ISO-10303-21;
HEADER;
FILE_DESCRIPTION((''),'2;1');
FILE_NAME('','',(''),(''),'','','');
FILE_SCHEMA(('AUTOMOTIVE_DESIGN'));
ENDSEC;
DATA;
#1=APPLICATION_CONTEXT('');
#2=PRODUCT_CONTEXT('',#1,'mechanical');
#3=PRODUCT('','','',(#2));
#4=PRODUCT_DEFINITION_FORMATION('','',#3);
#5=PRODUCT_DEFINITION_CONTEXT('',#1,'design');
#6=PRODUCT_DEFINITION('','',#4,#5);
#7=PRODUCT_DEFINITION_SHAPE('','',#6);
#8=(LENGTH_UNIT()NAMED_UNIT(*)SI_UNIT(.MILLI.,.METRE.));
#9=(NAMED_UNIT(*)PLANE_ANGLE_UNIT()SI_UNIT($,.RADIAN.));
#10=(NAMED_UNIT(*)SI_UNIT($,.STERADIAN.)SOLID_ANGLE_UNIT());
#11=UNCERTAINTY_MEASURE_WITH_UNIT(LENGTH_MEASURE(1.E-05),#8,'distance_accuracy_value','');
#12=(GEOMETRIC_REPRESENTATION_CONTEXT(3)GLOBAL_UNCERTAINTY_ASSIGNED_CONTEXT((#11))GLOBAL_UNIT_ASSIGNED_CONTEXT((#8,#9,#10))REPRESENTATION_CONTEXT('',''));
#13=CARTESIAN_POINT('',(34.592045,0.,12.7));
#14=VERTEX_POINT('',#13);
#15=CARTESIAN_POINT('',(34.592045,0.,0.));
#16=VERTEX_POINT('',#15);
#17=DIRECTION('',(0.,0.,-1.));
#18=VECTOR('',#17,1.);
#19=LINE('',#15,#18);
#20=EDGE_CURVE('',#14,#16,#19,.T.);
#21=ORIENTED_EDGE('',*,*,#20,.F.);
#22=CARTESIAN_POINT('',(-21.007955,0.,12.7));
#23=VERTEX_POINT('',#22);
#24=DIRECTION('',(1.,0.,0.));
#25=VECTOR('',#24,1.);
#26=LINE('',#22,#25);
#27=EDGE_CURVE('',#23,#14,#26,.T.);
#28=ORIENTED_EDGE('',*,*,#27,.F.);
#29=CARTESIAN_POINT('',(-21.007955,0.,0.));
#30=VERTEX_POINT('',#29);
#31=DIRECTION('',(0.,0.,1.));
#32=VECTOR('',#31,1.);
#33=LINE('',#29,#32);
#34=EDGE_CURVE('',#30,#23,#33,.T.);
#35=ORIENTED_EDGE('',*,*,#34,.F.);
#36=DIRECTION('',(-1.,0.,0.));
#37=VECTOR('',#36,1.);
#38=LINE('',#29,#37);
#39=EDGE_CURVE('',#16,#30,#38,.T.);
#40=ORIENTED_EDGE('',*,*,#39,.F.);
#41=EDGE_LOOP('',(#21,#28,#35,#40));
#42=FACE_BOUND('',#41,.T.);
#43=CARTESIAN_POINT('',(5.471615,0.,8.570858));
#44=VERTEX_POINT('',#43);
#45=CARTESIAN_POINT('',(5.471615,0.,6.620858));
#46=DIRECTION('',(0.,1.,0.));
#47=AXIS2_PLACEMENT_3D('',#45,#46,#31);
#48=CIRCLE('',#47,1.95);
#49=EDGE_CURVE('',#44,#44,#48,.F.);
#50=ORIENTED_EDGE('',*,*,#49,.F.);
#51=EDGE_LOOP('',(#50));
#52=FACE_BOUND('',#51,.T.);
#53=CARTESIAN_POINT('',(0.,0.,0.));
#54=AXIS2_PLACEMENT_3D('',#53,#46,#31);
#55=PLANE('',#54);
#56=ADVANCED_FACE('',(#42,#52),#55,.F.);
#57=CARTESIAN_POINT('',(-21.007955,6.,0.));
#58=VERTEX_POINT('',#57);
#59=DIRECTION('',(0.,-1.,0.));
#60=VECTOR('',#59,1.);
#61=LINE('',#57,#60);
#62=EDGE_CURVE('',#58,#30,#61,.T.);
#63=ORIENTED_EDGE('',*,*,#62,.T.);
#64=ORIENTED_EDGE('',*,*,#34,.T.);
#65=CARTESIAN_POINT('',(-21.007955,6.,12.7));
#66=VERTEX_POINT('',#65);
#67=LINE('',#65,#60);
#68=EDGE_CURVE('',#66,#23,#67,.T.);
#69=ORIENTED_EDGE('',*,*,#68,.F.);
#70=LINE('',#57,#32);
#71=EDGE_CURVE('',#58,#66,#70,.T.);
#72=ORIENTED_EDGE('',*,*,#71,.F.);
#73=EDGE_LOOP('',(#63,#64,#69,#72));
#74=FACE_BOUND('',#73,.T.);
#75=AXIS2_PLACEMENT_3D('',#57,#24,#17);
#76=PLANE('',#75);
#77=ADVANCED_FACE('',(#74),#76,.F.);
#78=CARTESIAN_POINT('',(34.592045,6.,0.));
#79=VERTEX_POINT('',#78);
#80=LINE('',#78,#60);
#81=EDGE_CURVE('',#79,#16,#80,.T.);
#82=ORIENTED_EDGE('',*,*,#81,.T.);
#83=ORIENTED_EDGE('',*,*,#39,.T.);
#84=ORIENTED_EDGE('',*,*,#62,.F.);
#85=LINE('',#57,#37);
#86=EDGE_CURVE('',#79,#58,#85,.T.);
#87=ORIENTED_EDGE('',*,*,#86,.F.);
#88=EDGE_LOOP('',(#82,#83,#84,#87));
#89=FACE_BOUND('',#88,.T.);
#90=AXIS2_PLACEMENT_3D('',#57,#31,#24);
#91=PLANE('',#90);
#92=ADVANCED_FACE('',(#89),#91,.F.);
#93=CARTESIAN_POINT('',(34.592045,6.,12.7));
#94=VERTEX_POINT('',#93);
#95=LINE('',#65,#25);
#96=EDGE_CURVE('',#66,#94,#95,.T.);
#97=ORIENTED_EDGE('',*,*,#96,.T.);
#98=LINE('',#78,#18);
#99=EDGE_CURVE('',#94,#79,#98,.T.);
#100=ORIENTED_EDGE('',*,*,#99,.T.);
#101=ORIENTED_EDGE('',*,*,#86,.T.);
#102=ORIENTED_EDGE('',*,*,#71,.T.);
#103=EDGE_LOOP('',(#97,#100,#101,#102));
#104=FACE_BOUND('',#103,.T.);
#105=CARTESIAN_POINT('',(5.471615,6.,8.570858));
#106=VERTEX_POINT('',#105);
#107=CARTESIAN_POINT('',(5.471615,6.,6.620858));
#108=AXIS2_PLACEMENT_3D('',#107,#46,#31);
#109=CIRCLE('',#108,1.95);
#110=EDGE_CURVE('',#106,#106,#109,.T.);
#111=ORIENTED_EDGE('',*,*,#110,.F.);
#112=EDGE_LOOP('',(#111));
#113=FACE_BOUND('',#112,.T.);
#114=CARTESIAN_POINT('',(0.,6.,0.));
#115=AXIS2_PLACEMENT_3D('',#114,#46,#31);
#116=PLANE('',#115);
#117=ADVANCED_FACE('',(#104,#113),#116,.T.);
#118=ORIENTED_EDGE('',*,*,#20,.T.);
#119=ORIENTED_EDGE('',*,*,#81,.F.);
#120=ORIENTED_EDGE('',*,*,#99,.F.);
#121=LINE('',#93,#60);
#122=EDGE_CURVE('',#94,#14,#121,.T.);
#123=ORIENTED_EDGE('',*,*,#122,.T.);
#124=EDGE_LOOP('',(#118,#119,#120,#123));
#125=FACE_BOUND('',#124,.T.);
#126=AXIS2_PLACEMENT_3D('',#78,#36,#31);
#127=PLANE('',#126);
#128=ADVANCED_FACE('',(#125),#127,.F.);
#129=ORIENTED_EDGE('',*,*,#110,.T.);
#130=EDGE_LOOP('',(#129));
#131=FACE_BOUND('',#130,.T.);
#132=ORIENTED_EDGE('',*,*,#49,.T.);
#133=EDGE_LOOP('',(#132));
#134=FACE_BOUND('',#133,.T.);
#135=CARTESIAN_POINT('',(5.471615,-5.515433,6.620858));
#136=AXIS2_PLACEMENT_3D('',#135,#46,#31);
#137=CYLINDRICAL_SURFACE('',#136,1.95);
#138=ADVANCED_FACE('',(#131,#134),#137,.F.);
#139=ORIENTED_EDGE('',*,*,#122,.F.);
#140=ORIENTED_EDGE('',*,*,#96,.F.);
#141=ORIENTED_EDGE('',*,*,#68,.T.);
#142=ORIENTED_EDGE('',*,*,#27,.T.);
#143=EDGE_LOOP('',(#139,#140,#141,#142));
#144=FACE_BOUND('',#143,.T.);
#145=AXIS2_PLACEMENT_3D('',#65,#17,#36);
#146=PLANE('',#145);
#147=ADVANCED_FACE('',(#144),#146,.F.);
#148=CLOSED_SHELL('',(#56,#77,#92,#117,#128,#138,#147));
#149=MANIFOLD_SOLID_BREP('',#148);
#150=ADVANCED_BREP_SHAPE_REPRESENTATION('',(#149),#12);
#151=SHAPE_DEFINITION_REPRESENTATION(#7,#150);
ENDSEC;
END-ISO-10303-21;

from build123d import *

# Parameters (mm, degrees)
SKETCH1_W           = 55.6
SKETCH1_H           = 12.7
BOSS_EXTRUDE1_DEPTH = 6
SKETCH2_R           = 1.95
CUT_EXTRUDE1_DEPTH  = 6


with BuildPart() as part:
    # Sketch1 → Boss-Extrude1 (new body)
    with BuildSketch(Plane(origin=(0, 0, 0), x_dir=(1, 0, 0), z_dir=(0, 1, 0))):
        with Locations((6.792045455, -6.35)):
            Rectangle(SKETCH1_W, SKETCH1_H)
    extrude(amount=BOSS_EXTRUDE1_DEPTH)

    # Sketch2 → Cut-Extrude1 (cut)
    with BuildSketch(Plane(origin=(0, 6, 0), x_dir=(1, 0, 0), z_dir=(0, 1, 0))):
        with Locations(Location((5.471614596, -6.620857612, 0), (0, 0, 270))):
            Circle(SKETCH2_R)
    extrude(amount=-CUT_EXTRUDE1_DEPTH, mode=Mode.SUBTRACT)


solid = part.part
